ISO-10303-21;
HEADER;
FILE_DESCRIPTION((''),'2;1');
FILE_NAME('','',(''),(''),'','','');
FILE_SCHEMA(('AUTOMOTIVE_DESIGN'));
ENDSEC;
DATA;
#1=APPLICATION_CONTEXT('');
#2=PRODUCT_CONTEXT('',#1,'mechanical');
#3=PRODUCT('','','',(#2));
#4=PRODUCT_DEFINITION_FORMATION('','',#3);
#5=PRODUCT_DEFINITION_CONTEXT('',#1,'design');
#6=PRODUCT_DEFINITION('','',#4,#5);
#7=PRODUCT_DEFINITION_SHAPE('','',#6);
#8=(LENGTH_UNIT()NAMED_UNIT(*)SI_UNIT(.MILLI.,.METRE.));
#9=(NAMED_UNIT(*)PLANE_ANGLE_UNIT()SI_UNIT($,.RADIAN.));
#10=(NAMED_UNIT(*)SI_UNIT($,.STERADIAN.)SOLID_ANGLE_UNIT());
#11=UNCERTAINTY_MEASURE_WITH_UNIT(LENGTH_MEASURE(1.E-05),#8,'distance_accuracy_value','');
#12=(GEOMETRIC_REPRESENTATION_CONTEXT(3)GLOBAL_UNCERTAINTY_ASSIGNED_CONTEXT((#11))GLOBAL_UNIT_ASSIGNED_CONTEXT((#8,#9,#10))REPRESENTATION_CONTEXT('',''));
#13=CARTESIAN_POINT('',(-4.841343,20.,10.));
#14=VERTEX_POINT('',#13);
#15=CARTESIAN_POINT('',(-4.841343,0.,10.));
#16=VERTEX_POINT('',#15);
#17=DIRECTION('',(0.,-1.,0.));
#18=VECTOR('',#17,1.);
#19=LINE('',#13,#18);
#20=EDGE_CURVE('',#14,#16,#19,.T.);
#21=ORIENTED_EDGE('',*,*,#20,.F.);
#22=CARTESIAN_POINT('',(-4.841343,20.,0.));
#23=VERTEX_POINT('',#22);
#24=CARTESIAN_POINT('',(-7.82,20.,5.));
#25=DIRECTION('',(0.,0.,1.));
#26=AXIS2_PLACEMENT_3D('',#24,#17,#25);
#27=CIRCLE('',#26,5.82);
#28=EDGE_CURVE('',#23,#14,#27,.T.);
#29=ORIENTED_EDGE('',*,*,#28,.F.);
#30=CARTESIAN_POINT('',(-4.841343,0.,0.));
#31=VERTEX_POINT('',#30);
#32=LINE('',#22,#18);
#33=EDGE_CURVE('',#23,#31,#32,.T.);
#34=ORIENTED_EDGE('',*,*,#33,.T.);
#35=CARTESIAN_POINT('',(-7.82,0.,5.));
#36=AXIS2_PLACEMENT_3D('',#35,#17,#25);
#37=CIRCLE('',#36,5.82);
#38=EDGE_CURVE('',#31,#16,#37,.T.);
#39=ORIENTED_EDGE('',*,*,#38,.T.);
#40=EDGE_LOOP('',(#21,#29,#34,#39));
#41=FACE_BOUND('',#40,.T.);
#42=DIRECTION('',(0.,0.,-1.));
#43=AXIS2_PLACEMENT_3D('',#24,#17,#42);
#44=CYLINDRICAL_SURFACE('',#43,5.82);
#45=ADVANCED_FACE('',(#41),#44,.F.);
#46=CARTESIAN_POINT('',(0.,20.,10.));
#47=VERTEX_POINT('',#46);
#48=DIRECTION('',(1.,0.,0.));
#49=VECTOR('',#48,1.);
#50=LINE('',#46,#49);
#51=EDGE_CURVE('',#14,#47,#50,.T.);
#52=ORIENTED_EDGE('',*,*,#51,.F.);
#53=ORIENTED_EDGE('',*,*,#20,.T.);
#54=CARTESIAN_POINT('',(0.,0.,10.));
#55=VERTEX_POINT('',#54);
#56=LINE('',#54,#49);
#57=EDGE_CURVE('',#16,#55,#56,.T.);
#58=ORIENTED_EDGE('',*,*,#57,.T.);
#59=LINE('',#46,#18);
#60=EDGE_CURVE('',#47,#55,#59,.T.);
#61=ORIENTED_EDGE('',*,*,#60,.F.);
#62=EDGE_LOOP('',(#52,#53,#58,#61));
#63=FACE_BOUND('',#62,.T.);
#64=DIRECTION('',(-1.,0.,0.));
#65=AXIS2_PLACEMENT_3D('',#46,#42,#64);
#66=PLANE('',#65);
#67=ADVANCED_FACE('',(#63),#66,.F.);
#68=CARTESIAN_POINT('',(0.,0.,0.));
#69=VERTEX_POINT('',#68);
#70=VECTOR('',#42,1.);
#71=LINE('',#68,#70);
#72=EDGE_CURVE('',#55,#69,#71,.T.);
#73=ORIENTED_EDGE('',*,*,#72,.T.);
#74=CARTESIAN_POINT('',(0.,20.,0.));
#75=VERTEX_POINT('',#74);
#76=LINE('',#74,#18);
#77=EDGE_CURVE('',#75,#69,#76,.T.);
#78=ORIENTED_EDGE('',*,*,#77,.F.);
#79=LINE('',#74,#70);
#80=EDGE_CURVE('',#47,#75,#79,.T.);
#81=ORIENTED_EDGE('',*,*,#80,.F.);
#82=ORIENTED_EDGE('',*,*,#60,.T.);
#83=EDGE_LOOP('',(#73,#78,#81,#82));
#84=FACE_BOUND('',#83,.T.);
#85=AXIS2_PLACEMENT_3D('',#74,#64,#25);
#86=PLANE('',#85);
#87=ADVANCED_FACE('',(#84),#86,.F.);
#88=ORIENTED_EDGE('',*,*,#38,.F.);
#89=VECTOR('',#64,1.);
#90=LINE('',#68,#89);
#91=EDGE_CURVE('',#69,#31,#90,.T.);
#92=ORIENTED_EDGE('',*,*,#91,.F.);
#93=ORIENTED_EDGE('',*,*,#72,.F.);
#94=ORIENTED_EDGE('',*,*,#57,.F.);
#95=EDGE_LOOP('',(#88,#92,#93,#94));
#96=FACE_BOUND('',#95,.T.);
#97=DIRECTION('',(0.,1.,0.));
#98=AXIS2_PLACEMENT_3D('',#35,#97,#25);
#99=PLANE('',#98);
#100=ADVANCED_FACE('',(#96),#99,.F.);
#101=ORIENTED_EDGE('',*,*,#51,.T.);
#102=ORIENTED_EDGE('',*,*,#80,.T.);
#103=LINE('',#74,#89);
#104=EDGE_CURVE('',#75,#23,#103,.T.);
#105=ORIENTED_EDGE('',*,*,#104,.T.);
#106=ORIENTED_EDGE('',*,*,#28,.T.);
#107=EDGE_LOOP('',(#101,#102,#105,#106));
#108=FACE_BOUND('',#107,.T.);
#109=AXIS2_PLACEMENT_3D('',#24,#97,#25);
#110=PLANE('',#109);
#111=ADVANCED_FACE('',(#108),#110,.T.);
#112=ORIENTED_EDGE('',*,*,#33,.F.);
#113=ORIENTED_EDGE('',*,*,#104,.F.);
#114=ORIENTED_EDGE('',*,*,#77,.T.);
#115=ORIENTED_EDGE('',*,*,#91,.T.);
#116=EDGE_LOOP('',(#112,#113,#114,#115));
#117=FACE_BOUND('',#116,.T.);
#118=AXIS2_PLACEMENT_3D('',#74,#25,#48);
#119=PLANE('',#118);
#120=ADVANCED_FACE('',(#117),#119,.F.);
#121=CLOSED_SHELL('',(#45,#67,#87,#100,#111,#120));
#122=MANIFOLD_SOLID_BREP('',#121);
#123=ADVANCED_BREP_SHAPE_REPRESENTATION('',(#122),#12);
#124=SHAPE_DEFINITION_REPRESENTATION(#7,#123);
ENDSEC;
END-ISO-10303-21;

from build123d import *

# Parameters (mm, degrees)
EXTRUDE_1_DEPTH = 20


with BuildPart() as part:
    # 草图1 → 凸台-拉伸1 (new body)
    with BuildSketch(Plane(origin=(0, 0, 0), x_dir=(1, 0, 0), z_dir=(0, 1, 0))):
        with BuildLine():
            Line((0, 0), (0, -10))
            Line((0, -10), (-4.841342584, -10))
            ThreePointArc((-4.841342584, -10), (-2, -5), (-4.841342584, 0))
            Line((-4.841342584, 0), (0, 0))
        make_face()
    extrude(amount=EXTRUDE_1_DEPTH)


solid = part.part
